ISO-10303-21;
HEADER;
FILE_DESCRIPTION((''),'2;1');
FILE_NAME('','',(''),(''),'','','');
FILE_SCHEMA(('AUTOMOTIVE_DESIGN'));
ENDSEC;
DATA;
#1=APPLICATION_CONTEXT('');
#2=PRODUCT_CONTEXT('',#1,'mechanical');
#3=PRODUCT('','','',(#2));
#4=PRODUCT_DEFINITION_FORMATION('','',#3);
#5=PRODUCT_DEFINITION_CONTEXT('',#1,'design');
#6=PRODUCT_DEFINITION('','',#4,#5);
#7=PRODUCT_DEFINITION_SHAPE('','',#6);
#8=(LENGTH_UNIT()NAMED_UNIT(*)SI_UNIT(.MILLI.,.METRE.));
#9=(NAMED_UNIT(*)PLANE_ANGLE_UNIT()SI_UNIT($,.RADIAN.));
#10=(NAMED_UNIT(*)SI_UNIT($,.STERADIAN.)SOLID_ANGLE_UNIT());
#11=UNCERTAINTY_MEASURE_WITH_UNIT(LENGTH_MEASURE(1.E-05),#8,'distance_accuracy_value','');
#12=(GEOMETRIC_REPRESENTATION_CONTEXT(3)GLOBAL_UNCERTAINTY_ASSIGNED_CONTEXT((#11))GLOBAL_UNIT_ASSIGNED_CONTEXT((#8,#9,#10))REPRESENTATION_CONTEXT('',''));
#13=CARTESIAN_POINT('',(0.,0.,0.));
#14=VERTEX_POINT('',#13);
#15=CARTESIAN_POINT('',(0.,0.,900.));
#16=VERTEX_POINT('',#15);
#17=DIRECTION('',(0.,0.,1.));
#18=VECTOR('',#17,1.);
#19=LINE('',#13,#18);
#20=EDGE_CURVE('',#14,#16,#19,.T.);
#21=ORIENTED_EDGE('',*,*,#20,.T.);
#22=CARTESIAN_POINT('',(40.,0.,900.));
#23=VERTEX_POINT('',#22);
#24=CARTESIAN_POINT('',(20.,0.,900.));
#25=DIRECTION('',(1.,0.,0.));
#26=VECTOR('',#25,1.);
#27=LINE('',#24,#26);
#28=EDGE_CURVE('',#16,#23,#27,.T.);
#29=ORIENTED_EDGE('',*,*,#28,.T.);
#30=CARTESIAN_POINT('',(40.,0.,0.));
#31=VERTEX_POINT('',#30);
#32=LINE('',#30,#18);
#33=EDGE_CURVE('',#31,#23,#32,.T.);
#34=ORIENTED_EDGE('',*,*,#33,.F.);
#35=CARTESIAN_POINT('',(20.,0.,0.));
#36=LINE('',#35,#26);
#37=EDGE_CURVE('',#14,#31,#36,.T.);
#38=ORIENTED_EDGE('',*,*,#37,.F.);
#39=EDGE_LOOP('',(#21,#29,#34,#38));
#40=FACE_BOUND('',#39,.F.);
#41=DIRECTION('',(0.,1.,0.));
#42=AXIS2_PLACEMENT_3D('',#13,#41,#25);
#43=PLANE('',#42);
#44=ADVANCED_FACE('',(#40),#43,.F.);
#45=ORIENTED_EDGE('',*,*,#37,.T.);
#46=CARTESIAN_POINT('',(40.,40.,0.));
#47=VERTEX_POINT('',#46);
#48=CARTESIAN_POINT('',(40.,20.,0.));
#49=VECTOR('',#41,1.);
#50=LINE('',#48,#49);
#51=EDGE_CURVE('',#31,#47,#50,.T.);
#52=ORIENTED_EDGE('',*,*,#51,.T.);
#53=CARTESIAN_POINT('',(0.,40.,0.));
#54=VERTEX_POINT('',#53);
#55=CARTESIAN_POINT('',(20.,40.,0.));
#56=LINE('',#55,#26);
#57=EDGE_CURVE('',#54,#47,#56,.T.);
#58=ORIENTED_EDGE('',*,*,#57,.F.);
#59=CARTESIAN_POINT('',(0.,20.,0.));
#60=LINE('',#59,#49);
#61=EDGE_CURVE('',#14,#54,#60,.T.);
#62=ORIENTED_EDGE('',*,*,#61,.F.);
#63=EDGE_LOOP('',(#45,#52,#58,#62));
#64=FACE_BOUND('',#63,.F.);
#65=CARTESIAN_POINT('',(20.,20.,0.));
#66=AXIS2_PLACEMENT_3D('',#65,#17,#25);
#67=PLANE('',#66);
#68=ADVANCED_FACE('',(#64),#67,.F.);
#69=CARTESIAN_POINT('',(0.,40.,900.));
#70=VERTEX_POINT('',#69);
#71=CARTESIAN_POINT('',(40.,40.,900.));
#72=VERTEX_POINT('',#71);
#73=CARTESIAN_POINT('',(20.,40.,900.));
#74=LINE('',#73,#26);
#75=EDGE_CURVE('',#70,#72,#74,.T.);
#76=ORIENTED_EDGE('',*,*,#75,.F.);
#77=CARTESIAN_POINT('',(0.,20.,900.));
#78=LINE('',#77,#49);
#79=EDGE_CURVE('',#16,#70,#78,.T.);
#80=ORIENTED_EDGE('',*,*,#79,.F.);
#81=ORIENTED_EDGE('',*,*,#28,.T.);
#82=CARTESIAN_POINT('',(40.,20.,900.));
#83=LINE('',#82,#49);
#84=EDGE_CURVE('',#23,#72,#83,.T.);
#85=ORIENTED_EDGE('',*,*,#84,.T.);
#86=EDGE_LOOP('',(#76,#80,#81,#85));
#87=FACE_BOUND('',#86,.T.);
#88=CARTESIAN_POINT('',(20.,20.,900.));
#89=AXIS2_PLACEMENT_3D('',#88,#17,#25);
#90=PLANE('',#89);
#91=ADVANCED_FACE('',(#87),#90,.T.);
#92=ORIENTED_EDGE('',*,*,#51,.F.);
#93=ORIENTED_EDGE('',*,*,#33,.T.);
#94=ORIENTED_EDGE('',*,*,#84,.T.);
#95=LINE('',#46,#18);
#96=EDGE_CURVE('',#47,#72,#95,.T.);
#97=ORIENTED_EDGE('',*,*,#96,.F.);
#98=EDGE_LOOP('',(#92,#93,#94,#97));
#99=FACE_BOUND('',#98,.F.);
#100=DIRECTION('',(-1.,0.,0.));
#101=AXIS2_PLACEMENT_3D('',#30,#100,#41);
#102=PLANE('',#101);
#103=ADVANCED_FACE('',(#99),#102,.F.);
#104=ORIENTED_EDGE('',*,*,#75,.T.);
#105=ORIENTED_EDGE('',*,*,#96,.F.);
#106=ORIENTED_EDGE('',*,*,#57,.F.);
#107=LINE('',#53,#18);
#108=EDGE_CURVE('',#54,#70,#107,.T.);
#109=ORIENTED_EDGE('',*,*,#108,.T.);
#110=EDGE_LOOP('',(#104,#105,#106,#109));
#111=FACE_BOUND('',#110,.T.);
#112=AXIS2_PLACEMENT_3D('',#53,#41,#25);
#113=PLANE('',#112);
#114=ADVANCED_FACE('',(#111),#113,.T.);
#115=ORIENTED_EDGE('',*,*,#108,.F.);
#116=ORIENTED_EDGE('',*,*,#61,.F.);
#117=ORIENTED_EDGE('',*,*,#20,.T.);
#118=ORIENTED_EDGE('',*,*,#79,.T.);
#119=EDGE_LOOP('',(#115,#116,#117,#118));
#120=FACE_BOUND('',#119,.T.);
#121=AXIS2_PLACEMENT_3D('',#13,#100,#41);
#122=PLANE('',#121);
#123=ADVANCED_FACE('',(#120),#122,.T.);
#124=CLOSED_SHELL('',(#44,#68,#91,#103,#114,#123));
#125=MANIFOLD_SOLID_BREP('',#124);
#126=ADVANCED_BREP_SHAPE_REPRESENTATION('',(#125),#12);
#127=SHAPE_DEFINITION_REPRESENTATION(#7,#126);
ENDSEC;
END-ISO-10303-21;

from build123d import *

# Parameters (mm, degrees)
F0_W     = 40
F0_H     = 40
F1_DEPTH = 900
F2_R     = 3
F3_DEPTH = 15


with BuildPart() as f1:
    # F0 (on Top) → F1 (new body)
    with BuildSketch(Plane.XY):
        with Locations((20, 20)):
            Rectangle(F0_W, F0_H)
    extrude(amount=F1_DEPTH)

    # F2 (on face) → F3 (cut)
    with BuildSketch(Plane.YZ.offset(40)):
        with Locations((17.775724, 878.934979)):
            Circle(F2_R)
    extrude(amount=F3_DEPTH, mode=Mode.SUBTRACT)


solid = f1.part
